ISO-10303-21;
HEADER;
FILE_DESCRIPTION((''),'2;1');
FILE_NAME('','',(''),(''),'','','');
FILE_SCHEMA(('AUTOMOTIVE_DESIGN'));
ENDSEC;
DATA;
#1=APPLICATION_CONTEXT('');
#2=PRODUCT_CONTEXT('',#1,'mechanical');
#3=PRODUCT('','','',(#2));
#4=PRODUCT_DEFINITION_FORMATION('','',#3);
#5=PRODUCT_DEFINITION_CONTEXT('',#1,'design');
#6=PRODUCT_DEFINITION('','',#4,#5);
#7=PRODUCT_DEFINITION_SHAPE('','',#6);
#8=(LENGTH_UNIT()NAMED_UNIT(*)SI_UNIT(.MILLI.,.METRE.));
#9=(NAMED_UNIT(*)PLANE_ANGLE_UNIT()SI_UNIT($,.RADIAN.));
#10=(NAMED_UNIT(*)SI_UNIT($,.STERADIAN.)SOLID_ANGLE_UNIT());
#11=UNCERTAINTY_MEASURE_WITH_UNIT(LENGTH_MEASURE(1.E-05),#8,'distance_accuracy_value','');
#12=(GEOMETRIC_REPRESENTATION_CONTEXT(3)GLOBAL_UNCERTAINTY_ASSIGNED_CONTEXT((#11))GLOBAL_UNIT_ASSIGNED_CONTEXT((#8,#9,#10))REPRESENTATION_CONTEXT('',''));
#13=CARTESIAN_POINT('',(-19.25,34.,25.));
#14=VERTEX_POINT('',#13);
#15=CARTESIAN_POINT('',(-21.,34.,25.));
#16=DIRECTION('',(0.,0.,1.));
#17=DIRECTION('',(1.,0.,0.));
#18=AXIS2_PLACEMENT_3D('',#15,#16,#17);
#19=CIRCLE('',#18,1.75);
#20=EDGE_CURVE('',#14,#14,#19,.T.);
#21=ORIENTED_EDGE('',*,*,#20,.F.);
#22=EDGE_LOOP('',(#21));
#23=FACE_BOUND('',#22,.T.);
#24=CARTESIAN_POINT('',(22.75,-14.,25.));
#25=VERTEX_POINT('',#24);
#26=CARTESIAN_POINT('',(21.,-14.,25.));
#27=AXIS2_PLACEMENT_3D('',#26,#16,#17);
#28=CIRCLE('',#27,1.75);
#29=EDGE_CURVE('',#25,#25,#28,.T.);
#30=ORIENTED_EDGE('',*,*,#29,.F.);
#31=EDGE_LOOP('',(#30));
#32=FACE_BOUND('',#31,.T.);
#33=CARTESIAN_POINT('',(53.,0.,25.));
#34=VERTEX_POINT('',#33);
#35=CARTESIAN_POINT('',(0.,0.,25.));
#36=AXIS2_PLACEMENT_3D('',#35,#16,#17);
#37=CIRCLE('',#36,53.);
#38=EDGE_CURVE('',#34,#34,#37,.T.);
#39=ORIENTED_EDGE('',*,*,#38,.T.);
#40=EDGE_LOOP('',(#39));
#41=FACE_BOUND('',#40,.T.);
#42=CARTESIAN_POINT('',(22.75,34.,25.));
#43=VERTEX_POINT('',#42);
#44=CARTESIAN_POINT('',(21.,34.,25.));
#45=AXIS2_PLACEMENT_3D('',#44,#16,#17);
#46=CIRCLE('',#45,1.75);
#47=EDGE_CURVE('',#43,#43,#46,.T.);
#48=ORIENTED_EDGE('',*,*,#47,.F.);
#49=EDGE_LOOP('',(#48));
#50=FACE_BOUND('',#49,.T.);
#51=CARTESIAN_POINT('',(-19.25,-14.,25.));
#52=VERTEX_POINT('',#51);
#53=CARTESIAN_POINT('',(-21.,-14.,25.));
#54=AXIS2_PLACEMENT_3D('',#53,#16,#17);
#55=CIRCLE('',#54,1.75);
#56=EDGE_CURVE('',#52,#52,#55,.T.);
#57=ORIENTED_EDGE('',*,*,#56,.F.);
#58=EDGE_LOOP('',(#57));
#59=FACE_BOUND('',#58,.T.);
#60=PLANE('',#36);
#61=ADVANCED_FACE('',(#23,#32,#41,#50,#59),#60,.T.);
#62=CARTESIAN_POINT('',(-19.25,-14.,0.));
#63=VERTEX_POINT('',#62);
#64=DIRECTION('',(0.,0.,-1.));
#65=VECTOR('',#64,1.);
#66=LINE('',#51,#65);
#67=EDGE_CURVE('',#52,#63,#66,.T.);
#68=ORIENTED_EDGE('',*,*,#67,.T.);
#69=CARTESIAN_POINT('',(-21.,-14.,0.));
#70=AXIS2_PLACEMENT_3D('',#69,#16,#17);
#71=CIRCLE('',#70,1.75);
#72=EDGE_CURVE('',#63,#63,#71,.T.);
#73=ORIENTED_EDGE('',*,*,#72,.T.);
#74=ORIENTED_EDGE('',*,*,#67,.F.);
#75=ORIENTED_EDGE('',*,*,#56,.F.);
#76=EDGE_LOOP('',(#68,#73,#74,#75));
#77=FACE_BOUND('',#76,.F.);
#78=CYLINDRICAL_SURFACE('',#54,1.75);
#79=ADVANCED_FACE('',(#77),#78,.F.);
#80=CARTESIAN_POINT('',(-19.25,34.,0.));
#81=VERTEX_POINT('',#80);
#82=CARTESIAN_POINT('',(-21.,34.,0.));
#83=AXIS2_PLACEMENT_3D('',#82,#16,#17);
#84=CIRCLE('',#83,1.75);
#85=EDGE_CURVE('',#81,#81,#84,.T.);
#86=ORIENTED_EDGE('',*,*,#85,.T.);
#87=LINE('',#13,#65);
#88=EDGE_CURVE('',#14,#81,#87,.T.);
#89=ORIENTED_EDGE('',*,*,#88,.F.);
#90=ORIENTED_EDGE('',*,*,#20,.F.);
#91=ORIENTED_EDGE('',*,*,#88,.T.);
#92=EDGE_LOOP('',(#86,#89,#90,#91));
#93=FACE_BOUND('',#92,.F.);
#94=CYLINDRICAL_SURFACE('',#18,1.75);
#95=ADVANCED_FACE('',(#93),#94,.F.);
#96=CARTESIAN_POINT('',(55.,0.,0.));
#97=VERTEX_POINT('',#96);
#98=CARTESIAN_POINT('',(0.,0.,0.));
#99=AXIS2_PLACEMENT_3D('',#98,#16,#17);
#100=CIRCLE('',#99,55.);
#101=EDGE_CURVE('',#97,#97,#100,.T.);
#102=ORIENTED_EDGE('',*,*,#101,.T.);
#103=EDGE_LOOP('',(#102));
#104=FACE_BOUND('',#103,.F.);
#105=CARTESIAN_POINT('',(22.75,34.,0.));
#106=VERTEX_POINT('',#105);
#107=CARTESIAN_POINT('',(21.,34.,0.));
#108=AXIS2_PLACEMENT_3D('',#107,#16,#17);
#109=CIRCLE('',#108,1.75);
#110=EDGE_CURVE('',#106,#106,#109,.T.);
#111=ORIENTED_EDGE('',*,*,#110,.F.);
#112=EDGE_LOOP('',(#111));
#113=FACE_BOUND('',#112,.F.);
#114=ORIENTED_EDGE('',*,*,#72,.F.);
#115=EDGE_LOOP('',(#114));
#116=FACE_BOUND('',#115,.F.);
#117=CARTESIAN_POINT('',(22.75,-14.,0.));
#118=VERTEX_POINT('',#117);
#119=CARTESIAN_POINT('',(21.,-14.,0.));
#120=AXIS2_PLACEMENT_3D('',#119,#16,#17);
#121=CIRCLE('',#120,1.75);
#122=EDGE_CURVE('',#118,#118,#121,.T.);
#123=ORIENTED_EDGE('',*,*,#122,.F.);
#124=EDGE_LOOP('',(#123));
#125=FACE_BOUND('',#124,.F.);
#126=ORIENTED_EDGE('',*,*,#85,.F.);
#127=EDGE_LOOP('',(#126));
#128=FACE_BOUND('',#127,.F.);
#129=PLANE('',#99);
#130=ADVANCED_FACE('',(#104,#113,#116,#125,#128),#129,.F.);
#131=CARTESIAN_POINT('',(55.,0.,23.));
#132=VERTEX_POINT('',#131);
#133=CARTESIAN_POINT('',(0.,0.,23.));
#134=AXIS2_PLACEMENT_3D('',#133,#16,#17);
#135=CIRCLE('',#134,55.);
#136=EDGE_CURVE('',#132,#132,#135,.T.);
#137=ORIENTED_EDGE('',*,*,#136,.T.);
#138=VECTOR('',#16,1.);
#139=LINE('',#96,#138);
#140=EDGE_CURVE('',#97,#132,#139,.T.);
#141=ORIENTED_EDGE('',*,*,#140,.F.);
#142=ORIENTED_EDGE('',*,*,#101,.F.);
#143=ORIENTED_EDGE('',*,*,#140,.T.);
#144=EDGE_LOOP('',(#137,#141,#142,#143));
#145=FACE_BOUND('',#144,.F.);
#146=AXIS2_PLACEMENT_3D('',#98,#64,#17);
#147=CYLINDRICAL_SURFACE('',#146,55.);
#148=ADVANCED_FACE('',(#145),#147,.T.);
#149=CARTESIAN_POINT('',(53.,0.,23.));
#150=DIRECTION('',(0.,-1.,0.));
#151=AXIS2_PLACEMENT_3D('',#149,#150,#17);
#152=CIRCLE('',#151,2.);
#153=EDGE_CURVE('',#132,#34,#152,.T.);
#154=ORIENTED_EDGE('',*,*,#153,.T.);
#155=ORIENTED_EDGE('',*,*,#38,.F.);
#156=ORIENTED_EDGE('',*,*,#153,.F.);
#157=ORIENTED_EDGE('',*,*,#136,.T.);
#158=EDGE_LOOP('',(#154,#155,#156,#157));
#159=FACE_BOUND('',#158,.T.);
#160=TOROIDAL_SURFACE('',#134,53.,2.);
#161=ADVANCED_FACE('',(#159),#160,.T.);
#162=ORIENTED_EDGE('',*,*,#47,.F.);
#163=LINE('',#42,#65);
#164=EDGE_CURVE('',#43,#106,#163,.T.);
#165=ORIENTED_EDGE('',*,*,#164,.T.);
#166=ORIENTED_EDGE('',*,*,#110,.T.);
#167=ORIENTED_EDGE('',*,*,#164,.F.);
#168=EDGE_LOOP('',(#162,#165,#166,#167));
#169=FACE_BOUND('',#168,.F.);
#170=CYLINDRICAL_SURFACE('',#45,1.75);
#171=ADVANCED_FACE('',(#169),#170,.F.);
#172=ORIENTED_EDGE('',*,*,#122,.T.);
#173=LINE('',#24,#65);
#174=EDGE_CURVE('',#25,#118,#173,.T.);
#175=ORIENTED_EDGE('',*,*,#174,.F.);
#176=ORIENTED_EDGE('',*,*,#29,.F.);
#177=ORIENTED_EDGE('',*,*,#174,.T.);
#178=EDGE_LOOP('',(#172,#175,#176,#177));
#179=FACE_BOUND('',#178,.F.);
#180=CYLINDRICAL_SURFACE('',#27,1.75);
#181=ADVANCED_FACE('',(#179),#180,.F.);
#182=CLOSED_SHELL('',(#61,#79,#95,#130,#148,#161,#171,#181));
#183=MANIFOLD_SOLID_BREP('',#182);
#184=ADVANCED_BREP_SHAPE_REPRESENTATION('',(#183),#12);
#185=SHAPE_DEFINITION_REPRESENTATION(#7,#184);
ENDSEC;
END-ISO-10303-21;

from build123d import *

# Parameters (mm, degrees)
F0_R     = 55
F1_DEPTH = 25
F2_R     = 2
F3_R     = 1.75
F4_DEPTH = 25


with BuildPart() as f1:
    # F0 (on Top) → F1 (new body)
    with BuildSketch(Plane.XY):
        Circle(F0_R)
    extrude(amount=F1_DEPTH)

    # F2
    f2_edges = [f1.edges().sort_by_distance(p)[0] for p in [
        (-55, 0, 25),
    ]]
    fillet(f2_edges, radius=F2_R)

    # F3 (on face) → F4 (cut, through all)
    with BuildSketch(Plane.XY.offset(25)):
        with Locations((-21, 34)):
            Circle(F3_R)
        with Locations((21, 34)):
            Circle(F3_R)
        with Locations((21, -14)):
            Circle(F3_R)
        with Locations((-21, -14)):
            Circle(F3_R)
    extrude(amount=-F4_DEPTH, mode=Mode.SUBTRACT)


solid = f1.part
